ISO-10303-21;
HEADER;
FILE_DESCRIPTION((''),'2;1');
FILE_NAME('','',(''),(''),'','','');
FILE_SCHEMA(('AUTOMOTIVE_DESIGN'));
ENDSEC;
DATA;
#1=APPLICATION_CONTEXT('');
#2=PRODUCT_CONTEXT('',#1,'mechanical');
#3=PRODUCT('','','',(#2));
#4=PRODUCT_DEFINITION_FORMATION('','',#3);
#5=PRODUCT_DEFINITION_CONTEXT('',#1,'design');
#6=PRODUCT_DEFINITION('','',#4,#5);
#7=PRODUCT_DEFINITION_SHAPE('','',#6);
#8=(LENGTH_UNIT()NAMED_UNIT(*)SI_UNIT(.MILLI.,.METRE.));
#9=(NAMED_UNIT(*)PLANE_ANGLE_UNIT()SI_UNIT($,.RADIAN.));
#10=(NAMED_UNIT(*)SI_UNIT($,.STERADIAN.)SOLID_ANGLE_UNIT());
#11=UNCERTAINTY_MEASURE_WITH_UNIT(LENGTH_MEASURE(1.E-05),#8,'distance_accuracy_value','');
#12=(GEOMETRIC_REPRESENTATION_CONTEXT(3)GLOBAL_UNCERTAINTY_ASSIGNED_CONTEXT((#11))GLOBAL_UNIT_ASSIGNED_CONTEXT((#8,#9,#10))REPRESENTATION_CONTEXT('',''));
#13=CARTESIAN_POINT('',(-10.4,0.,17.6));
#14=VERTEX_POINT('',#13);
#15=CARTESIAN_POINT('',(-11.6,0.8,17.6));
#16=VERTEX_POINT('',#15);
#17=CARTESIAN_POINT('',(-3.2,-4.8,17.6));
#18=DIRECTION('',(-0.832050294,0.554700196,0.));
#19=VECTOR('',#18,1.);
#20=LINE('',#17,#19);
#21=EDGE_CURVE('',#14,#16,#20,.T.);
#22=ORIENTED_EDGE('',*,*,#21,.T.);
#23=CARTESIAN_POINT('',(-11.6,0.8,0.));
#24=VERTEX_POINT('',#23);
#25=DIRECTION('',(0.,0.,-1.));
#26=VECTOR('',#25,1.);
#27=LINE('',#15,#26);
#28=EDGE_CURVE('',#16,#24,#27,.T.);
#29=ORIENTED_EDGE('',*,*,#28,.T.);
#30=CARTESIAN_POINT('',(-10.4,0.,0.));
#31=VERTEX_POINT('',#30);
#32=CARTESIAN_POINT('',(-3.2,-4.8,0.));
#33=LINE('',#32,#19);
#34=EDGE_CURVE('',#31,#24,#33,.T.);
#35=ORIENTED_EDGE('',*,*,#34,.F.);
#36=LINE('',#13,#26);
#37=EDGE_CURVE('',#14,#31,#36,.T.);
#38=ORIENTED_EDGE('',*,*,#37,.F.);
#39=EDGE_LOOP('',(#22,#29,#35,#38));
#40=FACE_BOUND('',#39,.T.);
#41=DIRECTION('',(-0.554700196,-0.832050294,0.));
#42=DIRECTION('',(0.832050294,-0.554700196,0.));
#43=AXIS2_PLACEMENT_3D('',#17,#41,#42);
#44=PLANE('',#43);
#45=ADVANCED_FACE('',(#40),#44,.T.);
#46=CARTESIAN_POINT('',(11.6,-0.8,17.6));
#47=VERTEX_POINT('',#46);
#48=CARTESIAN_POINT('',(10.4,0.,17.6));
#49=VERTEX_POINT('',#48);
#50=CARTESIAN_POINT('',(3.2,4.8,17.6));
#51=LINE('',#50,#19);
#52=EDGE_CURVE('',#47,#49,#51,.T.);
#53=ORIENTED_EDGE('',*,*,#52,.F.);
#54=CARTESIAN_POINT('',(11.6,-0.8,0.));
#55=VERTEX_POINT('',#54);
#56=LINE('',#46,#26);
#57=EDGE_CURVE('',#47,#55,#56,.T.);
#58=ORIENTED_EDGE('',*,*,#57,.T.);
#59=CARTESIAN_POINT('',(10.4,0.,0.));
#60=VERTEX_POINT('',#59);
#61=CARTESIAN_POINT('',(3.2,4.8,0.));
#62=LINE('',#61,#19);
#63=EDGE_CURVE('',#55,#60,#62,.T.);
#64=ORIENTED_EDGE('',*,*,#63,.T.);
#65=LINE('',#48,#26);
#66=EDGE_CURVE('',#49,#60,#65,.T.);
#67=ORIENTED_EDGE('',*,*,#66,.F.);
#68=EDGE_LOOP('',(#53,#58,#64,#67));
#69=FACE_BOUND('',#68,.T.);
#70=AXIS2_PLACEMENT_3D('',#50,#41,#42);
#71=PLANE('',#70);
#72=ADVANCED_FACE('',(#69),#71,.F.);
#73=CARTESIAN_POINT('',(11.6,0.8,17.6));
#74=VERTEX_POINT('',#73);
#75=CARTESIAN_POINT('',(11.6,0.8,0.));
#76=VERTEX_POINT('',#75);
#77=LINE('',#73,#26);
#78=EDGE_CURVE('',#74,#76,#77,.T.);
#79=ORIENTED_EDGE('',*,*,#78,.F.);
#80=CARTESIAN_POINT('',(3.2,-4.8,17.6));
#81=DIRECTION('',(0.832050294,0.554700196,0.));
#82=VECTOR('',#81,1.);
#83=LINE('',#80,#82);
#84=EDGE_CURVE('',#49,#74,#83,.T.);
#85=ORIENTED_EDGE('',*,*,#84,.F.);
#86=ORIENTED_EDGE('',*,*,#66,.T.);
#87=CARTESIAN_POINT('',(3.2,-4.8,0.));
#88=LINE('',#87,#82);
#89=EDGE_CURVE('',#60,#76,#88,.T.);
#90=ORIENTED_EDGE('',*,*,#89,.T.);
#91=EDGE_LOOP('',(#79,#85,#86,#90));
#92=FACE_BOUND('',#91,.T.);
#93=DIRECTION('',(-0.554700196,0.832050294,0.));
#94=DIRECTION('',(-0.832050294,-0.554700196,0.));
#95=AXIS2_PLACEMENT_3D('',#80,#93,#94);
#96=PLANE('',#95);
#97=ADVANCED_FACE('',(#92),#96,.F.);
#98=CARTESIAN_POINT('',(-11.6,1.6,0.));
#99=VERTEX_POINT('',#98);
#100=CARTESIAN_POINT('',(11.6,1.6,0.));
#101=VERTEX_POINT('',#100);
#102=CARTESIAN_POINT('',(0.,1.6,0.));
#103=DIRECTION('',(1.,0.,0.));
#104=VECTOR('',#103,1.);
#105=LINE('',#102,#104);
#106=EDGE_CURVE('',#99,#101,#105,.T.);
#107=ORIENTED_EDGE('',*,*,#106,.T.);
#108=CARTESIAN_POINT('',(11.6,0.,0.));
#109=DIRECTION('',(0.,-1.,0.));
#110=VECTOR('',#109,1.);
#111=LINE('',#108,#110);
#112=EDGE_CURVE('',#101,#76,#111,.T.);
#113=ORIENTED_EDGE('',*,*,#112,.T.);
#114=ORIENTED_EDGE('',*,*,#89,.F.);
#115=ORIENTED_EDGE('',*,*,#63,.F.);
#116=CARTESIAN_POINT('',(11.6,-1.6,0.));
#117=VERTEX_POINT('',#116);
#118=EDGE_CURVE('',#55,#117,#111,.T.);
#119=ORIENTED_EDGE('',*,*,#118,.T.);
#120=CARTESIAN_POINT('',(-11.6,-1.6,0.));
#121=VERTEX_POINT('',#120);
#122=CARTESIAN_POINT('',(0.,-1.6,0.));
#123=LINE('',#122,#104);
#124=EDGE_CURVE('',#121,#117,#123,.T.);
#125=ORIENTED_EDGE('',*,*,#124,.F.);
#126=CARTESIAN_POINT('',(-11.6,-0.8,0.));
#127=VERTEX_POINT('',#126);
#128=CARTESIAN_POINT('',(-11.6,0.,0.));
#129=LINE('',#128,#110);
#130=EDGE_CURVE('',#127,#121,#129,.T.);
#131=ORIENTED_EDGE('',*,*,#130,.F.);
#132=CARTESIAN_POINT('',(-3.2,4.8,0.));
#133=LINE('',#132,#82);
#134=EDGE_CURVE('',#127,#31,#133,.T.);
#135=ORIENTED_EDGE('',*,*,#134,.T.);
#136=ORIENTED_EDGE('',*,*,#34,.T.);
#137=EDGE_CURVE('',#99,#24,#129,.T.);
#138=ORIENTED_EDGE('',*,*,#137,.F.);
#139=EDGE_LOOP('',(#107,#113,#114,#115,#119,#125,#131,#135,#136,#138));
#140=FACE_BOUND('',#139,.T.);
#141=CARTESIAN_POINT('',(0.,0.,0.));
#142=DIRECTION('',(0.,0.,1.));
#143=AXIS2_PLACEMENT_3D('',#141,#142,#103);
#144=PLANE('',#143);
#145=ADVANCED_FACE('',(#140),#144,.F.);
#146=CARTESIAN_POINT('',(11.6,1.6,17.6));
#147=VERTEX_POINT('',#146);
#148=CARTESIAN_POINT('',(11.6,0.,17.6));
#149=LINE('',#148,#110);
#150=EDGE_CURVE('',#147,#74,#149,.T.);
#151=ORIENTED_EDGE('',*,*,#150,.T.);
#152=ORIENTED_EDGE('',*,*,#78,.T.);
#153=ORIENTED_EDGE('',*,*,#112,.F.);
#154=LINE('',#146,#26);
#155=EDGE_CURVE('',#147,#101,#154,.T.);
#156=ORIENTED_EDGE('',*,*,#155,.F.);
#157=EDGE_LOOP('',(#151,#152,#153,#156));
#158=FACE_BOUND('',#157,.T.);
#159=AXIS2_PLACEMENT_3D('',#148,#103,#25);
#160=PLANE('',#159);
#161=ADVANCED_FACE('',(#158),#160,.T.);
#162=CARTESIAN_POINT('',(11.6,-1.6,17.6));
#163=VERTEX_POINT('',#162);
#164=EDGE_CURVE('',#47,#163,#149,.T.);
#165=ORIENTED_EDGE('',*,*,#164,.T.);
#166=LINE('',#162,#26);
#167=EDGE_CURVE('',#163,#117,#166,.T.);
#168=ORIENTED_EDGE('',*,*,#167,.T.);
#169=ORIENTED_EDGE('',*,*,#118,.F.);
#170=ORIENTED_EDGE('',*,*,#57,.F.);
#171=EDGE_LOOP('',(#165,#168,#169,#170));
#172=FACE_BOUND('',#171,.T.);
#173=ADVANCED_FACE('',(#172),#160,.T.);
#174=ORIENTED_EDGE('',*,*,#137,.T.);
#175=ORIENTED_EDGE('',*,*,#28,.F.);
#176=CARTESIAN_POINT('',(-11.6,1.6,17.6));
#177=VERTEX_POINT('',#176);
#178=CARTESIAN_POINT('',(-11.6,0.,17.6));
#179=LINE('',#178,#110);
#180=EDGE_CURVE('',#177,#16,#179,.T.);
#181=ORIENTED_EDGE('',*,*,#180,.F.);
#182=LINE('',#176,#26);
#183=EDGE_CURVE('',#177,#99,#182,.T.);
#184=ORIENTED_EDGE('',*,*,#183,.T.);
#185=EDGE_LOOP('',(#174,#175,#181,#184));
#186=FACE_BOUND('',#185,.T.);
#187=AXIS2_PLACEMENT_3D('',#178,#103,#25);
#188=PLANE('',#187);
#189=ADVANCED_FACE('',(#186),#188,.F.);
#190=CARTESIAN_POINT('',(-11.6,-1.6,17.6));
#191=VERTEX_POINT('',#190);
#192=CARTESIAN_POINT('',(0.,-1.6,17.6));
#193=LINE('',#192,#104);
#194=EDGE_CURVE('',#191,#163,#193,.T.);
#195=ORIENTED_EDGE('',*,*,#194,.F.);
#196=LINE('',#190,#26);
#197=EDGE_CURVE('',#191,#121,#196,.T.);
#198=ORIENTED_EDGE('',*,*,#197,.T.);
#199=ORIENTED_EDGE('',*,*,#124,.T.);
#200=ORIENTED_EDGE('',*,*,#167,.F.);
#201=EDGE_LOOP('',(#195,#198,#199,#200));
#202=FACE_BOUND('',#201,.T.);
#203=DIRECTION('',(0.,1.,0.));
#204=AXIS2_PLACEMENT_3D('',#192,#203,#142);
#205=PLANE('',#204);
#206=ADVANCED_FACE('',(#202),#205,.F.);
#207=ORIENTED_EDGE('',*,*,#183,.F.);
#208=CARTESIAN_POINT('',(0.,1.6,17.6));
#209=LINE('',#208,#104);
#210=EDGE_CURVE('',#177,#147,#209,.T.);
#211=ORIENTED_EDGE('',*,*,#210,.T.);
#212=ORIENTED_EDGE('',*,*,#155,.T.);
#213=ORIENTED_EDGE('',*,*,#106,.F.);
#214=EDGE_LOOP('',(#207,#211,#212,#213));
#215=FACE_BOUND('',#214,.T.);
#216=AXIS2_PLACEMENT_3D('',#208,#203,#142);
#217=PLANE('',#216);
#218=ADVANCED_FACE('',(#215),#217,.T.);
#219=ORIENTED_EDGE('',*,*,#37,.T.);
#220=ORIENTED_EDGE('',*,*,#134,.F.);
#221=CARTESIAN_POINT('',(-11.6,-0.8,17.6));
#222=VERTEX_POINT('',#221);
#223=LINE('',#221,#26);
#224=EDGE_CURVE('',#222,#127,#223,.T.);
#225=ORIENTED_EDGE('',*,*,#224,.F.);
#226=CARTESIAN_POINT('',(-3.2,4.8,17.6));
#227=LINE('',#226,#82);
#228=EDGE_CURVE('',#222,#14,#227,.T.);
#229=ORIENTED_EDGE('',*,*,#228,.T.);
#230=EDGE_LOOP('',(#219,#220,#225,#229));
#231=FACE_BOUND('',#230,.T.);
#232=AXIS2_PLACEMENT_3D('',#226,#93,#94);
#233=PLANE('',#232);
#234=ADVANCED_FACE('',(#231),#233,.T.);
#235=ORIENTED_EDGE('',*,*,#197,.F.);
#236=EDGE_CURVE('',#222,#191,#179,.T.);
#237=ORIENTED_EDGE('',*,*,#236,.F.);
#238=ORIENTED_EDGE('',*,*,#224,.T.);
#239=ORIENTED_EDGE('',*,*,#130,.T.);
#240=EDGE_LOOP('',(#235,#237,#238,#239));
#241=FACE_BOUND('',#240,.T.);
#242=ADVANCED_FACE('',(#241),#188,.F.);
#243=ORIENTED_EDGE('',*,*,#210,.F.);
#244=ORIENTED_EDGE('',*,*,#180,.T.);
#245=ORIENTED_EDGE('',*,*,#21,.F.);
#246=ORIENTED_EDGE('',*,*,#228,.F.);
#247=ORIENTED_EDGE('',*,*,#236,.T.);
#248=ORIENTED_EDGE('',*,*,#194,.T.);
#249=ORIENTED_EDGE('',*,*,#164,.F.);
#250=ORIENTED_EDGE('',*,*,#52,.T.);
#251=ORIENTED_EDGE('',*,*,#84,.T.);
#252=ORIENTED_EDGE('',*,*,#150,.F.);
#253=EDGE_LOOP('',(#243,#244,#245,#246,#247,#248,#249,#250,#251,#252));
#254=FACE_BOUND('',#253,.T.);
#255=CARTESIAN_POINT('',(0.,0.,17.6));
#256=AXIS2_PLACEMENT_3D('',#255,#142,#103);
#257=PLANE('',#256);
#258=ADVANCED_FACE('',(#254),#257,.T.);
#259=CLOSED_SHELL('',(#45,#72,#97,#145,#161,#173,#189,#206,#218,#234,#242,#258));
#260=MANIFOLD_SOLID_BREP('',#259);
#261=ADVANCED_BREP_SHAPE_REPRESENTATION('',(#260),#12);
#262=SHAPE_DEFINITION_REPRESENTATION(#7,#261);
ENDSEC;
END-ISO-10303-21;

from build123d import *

# Parameters (mm, degrees)
P_IDAT_VYSUNUT_M1_DEPTH = 17.6


with BuildPart() as part:
    # Skica2 → Přidat vysunutím1 (new body)
    with BuildSketch(Plane.XY):
        Polygon((0, 1.6), (0, -1.6), (11.6, -1.6), (11.6, -0.8), (10.4, 0), (11.6, 0.8), (11.6, 1.6), align=None)
        Polygon((-10.4, 0), (-11.6, -0.8), (-11.6, -1.6), (0, -1.6), (0, 1.6), (-11.6, 1.6), (-11.6, 0.8), align=None)
    extrude(amount=P_IDAT_VYSUNUT_M1_DEPTH)


solid = part.part
